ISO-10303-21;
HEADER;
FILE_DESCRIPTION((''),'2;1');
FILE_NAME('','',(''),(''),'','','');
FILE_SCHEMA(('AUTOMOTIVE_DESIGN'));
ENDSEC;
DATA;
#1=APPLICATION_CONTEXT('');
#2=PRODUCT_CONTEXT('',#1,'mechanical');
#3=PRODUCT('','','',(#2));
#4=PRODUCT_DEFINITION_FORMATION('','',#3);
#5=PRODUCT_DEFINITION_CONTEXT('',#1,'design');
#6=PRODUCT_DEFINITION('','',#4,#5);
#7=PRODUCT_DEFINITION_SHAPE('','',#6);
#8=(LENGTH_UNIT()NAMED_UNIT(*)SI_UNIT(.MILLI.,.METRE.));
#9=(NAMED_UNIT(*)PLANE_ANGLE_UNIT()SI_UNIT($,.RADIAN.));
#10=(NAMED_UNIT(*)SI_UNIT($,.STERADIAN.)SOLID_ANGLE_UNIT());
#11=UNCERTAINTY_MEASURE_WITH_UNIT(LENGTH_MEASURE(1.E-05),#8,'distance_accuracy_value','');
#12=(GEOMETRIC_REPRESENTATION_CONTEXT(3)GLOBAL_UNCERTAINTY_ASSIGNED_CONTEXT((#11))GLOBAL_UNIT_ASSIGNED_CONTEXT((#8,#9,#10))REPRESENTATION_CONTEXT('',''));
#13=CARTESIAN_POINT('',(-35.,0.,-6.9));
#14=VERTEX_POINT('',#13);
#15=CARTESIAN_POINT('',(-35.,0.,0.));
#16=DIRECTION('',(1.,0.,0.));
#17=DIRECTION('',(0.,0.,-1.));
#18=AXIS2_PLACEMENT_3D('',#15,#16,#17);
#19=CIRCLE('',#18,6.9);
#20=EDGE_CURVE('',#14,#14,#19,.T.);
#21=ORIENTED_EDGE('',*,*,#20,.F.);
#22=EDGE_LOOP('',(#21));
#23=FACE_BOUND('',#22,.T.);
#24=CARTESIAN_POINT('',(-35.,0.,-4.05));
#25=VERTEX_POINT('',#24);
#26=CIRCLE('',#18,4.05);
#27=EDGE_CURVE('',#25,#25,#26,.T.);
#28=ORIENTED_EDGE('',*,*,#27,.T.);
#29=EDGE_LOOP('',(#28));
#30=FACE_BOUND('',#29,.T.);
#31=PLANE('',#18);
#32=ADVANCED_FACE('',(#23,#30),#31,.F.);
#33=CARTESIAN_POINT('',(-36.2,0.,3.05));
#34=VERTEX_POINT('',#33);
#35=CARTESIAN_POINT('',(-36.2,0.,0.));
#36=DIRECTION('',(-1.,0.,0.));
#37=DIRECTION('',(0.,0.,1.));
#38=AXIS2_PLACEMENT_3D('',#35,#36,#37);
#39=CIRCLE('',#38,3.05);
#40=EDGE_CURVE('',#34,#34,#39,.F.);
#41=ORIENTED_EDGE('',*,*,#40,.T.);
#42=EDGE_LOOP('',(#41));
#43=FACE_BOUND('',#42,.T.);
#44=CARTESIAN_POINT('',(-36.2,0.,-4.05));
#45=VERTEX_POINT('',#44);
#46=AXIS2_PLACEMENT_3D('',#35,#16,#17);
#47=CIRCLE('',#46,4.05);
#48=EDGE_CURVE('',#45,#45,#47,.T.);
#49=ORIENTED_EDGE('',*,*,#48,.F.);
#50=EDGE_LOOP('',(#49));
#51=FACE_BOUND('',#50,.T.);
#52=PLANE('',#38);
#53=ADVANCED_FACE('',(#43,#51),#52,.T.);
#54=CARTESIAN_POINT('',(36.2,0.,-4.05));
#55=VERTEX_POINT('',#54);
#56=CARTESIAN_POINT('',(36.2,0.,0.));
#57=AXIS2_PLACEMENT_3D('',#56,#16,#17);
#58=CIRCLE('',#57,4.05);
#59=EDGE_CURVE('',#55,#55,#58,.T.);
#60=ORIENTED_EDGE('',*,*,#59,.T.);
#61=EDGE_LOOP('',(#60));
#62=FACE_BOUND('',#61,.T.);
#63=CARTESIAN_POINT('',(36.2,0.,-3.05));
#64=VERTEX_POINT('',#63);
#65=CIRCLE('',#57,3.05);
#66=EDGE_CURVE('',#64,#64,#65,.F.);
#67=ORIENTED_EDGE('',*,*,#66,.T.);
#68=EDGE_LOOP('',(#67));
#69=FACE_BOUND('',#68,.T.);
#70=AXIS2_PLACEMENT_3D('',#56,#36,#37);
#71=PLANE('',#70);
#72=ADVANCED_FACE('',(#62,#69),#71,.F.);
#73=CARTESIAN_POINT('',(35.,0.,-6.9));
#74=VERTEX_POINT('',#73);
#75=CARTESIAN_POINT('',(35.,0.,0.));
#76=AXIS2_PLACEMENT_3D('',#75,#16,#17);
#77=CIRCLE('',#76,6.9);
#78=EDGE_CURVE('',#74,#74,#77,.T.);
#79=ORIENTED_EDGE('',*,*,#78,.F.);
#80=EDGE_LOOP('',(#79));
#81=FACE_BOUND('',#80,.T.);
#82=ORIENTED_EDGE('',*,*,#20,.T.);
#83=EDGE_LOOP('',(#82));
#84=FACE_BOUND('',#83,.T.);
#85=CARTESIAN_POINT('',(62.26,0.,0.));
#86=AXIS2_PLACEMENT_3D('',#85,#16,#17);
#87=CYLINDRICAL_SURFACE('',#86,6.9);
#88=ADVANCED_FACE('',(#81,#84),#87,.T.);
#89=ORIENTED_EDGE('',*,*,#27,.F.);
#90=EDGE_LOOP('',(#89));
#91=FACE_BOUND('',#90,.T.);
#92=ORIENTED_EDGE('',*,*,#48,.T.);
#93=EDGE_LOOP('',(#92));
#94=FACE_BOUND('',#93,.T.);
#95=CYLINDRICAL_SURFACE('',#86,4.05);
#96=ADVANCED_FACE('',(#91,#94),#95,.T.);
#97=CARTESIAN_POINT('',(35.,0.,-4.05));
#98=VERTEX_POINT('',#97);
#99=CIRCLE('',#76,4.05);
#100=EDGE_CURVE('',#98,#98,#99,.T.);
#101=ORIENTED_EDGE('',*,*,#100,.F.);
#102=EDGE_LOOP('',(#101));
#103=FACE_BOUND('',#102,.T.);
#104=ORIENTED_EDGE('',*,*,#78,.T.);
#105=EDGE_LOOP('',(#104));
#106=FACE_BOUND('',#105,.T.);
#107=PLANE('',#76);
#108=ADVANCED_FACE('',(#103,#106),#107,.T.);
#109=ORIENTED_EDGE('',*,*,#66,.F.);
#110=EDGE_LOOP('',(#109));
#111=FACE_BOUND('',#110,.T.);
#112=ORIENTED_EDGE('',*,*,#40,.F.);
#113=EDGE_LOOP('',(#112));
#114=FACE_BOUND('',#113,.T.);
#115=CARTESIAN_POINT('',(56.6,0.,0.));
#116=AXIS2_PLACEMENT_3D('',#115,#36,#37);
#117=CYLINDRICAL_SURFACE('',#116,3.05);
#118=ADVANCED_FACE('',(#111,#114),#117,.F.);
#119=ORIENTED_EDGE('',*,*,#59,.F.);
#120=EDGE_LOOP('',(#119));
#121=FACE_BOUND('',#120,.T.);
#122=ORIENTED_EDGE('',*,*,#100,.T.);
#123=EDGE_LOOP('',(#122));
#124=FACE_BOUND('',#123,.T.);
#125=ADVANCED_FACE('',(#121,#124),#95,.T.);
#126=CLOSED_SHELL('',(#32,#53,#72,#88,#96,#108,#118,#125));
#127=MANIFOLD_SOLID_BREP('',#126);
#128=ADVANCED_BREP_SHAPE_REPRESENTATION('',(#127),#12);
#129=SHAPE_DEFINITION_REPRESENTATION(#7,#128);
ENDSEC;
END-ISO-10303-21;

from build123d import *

# Parameters (mm, degrees)
CUT_EXTRUDE2_REACH = 59.435
SKETCH4_W          = 5
SKETCH4_H          = 5.1
FILLET1_R          = 0.5
SKETCH13_R         = 3.05
CUT_EXTRUDE3_DEPTH = 114.619804612


with BuildPart() as part:
    # Sketch2 → Revolve2 (revolve)
    with BuildSketch(Plane.XY):
        Polygon((-56.6, 0), (56.6, 0), (56.6, 2.55), (36.2, 2.55), (36.2, 4.05), (35, 4.05), (35, 6.9), (30, 6.9), (-30, 6.9), (-35, 6.9), (-35, 4.05), (-36.2, 4.05), (-36.2, 2.55), (-56.6, 2.55), align=None)
    revolve(axis=Axis((62.26, 0, 0), (-1, 0, 0)))

    # Sketch4 → Cut-Extrude2 (cut, up to next)
    with BuildSketch(Plane(origin=(0, 0, 0), x_dir=(1, 0, 0), z_dir=(0, 1, 0)), mode=Mode.PRIVATE) as cut_extrude2_sk1:
        with Locations((-54.1, 0)):
            Rectangle(SKETCH4_W, SKETCH4_H)
    cut_extrude2_tool1 = extrude(cut_extrude2_sk1.sketch, amount=CUT_EXTRUDE2_REACH, mode=Mode.PRIVATE) & part.part
    add(cut_extrude2_tool1.solids().sort_by_distance((-54.1, 0, 0))[0], mode=Mode.SUBTRACT)

    # Fillet1
    fillet1_edges = [part.edges().sort_by_distance(p)[0] for p in [
        (36.2, -2.55, 0),
        (-36.2, -2.55, 0),
    ]]
    fillet(fillet1_edges, radius=FILLET1_R)

    # Sketch13 → Cut-Extrude3 (cut, through all)
    with BuildSketch(Plane.ZY.offset(56.6)):
        Circle(SKETCH13_R)
    extrude(amount=-CUT_EXTRUDE3_DEPTH, mode=Mode.SUBTRACT)


solid = part.part
